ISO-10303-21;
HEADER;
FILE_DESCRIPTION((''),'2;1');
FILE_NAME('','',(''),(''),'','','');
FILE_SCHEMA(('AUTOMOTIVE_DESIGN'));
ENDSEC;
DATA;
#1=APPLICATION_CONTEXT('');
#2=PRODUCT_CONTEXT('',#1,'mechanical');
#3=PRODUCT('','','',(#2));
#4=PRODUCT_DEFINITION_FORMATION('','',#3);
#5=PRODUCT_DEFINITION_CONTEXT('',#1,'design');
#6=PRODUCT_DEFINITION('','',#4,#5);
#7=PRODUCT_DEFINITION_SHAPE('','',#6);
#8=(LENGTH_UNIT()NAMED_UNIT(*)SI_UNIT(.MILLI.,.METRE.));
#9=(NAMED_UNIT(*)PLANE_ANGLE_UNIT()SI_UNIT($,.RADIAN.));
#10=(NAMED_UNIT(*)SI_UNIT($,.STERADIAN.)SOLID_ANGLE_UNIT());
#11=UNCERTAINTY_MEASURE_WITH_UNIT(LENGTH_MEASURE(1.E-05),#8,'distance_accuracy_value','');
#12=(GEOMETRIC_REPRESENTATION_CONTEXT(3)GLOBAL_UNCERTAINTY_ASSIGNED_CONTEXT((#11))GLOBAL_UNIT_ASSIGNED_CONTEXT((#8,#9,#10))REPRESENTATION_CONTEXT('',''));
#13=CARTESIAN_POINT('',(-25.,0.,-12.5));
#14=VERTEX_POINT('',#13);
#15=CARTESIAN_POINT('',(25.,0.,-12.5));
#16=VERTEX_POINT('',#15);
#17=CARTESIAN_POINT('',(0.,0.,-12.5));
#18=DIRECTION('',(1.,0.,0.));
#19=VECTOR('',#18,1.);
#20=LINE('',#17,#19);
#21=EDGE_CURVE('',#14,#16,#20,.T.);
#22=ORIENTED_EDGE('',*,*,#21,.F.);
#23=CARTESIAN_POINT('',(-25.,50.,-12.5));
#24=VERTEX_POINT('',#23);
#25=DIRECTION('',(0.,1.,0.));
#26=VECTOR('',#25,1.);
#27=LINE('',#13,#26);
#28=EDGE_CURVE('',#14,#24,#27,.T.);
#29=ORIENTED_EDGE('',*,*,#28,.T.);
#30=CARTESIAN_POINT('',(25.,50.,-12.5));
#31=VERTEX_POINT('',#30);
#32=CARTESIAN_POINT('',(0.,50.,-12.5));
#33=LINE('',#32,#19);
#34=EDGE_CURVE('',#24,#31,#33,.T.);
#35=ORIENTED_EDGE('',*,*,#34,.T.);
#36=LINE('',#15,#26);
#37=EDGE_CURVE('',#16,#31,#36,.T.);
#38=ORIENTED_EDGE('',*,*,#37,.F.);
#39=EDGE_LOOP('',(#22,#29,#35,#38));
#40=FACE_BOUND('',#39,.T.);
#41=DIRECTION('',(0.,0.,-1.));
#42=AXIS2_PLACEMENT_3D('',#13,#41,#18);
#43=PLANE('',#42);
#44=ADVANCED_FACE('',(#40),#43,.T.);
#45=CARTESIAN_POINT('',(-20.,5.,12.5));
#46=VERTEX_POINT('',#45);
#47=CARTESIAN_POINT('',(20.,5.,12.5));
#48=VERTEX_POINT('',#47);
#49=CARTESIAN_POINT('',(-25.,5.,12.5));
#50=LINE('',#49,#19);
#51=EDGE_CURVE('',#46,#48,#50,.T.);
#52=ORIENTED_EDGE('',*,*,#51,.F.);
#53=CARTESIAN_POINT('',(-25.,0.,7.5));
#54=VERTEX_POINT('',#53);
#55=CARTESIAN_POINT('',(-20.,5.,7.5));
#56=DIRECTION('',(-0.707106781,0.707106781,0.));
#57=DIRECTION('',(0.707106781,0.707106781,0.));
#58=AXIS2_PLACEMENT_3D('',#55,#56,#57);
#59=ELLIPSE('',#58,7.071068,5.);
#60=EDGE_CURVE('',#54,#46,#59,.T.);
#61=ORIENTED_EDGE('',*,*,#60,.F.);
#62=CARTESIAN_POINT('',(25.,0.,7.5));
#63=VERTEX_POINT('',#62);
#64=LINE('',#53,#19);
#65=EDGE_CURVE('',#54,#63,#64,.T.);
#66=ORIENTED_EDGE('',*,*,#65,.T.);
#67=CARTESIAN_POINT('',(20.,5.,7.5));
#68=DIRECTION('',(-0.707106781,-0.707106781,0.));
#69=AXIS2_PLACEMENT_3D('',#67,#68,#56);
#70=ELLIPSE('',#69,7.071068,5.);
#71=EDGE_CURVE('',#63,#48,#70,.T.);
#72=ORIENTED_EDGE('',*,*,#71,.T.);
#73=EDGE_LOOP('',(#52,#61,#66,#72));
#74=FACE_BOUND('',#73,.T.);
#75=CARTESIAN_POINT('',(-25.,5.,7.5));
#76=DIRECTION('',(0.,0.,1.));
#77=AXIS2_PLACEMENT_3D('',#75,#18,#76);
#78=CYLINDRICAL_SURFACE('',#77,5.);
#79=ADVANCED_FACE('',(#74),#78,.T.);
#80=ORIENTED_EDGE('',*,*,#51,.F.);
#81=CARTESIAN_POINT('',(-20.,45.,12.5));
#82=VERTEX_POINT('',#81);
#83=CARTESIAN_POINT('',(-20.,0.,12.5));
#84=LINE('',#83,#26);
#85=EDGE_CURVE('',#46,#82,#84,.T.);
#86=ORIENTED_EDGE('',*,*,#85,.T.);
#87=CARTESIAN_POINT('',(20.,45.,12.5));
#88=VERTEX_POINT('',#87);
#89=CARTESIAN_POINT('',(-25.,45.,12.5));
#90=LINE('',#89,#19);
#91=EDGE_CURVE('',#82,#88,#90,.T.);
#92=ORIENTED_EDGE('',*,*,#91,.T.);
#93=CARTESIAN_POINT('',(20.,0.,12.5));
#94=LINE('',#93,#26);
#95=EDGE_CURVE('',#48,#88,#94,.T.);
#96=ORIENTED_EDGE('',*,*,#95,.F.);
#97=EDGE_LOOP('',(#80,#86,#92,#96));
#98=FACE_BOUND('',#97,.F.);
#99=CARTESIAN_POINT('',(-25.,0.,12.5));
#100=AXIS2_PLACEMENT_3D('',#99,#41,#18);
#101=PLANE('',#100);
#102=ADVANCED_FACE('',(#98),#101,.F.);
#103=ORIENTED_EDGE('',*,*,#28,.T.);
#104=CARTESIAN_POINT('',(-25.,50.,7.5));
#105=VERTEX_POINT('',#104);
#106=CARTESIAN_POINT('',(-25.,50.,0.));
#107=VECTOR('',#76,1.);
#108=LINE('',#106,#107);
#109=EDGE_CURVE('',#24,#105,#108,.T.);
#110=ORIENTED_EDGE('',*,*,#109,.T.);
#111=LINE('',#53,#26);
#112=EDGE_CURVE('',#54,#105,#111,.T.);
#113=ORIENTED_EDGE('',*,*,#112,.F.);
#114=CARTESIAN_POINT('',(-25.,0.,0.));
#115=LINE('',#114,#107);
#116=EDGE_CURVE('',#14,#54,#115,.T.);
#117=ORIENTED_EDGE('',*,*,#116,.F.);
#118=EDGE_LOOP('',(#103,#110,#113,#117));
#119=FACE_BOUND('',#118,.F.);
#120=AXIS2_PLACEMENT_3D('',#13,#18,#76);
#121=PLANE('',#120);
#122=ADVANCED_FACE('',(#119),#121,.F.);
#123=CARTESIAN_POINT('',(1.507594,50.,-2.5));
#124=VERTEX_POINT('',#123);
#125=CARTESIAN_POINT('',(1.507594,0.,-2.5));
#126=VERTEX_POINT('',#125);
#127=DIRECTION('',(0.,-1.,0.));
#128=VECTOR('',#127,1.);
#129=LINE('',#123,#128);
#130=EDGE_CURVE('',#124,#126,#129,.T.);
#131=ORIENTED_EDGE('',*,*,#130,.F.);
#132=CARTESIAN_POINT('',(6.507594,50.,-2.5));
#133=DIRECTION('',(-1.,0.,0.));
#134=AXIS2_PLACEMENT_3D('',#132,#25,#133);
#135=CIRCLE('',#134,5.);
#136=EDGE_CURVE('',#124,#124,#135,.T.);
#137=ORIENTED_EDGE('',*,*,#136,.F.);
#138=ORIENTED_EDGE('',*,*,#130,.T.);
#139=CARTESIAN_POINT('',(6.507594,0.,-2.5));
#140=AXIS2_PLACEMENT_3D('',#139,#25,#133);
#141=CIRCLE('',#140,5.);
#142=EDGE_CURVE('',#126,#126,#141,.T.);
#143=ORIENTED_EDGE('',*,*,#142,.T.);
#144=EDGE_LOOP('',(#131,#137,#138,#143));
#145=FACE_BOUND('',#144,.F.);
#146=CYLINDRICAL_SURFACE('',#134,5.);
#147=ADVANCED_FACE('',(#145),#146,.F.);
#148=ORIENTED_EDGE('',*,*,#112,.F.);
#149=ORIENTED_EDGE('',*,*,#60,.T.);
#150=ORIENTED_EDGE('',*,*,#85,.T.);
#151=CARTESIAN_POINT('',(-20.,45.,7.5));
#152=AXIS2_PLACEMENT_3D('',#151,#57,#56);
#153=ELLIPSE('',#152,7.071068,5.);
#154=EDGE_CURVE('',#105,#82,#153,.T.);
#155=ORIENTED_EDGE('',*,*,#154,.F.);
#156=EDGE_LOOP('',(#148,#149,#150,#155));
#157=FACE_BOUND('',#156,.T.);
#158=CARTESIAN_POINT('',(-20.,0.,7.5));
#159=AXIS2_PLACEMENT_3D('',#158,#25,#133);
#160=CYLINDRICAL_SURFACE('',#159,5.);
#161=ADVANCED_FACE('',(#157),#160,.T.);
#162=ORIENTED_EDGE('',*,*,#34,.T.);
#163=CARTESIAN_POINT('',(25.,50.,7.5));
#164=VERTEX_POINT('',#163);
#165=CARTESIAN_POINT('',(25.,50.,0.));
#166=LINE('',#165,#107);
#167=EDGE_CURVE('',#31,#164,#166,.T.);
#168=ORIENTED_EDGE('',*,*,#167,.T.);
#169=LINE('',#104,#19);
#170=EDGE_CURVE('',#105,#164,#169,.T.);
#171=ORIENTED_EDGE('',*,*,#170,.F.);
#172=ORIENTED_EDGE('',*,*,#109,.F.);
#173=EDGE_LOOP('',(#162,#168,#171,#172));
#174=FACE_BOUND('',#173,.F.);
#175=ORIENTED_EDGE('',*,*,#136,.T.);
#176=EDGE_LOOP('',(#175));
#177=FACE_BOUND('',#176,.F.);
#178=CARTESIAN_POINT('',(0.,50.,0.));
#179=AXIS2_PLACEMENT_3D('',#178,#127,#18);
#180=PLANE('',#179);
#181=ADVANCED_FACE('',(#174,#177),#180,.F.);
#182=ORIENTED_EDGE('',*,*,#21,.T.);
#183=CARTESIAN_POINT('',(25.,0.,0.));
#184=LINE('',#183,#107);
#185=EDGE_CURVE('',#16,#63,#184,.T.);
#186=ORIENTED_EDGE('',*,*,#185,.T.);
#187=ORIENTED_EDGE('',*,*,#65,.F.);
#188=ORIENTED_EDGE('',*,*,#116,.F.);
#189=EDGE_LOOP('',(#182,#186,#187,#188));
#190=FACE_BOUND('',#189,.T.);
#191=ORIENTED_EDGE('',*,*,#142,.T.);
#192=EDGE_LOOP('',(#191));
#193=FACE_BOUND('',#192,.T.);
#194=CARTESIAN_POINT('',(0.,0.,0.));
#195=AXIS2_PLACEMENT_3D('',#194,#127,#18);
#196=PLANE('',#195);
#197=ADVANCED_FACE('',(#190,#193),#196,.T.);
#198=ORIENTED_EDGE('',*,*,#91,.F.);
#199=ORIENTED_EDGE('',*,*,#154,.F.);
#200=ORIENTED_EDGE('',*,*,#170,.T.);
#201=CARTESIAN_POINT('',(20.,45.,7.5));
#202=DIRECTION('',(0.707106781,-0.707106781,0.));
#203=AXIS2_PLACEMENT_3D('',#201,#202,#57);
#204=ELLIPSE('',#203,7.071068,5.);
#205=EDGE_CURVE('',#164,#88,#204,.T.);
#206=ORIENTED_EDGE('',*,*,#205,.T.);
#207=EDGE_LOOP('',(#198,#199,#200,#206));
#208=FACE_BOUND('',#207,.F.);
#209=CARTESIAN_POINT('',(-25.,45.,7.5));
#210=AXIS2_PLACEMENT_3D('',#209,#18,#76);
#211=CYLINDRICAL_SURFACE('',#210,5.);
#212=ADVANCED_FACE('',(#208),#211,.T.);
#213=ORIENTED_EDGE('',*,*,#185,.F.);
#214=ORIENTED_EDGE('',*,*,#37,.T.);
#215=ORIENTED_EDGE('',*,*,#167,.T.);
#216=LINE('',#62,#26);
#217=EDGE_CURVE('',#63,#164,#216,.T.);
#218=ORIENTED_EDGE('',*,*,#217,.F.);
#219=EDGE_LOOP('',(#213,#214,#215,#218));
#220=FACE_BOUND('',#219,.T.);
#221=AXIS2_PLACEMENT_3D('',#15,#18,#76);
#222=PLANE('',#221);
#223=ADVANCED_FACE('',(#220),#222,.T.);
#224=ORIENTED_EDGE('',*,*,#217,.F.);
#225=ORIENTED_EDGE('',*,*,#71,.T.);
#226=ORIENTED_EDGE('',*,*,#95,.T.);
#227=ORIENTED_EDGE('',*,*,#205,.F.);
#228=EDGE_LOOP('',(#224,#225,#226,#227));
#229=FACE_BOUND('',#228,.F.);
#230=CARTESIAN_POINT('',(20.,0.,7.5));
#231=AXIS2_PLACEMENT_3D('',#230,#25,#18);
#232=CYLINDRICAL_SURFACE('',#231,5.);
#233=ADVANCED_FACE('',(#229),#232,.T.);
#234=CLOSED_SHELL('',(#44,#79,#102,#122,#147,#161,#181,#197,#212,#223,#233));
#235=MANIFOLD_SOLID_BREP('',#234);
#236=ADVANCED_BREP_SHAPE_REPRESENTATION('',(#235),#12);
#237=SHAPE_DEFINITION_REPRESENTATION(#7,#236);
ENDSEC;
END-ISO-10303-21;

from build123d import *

# Parameters (mm, degrees)
F0_W     = 50
F0_H     = 25
F1_DEPTH = 50
F2_R     = 5
F3_R     = 5
F4_DEPTH = 50.001


with BuildPart() as f1:
    # F0 (on Front) → F1 (new body)
    with BuildSketch(Plane.XZ):
        Rectangle(F0_W, F0_H)
    extrude(amount=-F1_DEPTH)

    # F2
    f2_edges = [f1.edges().sort_by_distance(p)[0] for p in [
        (-25, 25, 12.5),
        (25, 25, 12.5),
        (0, 0, 12.5),
        (0, 50, 12.5),
    ]]
    fillet(f2_edges, radius=F2_R)

    # F3 (on face) → F4 (cut, through all)
    with BuildSketch(Plane(origin=(0, 50, 0), x_dir=(-1, 0, 0), z_dir=(0, 1, 0))):
        with Locations((-6.507594, -2.5)):
            Circle(F3_R)
    extrude(amount=-F4_DEPTH, mode=Mode.SUBTRACT)


solid = f1.part
